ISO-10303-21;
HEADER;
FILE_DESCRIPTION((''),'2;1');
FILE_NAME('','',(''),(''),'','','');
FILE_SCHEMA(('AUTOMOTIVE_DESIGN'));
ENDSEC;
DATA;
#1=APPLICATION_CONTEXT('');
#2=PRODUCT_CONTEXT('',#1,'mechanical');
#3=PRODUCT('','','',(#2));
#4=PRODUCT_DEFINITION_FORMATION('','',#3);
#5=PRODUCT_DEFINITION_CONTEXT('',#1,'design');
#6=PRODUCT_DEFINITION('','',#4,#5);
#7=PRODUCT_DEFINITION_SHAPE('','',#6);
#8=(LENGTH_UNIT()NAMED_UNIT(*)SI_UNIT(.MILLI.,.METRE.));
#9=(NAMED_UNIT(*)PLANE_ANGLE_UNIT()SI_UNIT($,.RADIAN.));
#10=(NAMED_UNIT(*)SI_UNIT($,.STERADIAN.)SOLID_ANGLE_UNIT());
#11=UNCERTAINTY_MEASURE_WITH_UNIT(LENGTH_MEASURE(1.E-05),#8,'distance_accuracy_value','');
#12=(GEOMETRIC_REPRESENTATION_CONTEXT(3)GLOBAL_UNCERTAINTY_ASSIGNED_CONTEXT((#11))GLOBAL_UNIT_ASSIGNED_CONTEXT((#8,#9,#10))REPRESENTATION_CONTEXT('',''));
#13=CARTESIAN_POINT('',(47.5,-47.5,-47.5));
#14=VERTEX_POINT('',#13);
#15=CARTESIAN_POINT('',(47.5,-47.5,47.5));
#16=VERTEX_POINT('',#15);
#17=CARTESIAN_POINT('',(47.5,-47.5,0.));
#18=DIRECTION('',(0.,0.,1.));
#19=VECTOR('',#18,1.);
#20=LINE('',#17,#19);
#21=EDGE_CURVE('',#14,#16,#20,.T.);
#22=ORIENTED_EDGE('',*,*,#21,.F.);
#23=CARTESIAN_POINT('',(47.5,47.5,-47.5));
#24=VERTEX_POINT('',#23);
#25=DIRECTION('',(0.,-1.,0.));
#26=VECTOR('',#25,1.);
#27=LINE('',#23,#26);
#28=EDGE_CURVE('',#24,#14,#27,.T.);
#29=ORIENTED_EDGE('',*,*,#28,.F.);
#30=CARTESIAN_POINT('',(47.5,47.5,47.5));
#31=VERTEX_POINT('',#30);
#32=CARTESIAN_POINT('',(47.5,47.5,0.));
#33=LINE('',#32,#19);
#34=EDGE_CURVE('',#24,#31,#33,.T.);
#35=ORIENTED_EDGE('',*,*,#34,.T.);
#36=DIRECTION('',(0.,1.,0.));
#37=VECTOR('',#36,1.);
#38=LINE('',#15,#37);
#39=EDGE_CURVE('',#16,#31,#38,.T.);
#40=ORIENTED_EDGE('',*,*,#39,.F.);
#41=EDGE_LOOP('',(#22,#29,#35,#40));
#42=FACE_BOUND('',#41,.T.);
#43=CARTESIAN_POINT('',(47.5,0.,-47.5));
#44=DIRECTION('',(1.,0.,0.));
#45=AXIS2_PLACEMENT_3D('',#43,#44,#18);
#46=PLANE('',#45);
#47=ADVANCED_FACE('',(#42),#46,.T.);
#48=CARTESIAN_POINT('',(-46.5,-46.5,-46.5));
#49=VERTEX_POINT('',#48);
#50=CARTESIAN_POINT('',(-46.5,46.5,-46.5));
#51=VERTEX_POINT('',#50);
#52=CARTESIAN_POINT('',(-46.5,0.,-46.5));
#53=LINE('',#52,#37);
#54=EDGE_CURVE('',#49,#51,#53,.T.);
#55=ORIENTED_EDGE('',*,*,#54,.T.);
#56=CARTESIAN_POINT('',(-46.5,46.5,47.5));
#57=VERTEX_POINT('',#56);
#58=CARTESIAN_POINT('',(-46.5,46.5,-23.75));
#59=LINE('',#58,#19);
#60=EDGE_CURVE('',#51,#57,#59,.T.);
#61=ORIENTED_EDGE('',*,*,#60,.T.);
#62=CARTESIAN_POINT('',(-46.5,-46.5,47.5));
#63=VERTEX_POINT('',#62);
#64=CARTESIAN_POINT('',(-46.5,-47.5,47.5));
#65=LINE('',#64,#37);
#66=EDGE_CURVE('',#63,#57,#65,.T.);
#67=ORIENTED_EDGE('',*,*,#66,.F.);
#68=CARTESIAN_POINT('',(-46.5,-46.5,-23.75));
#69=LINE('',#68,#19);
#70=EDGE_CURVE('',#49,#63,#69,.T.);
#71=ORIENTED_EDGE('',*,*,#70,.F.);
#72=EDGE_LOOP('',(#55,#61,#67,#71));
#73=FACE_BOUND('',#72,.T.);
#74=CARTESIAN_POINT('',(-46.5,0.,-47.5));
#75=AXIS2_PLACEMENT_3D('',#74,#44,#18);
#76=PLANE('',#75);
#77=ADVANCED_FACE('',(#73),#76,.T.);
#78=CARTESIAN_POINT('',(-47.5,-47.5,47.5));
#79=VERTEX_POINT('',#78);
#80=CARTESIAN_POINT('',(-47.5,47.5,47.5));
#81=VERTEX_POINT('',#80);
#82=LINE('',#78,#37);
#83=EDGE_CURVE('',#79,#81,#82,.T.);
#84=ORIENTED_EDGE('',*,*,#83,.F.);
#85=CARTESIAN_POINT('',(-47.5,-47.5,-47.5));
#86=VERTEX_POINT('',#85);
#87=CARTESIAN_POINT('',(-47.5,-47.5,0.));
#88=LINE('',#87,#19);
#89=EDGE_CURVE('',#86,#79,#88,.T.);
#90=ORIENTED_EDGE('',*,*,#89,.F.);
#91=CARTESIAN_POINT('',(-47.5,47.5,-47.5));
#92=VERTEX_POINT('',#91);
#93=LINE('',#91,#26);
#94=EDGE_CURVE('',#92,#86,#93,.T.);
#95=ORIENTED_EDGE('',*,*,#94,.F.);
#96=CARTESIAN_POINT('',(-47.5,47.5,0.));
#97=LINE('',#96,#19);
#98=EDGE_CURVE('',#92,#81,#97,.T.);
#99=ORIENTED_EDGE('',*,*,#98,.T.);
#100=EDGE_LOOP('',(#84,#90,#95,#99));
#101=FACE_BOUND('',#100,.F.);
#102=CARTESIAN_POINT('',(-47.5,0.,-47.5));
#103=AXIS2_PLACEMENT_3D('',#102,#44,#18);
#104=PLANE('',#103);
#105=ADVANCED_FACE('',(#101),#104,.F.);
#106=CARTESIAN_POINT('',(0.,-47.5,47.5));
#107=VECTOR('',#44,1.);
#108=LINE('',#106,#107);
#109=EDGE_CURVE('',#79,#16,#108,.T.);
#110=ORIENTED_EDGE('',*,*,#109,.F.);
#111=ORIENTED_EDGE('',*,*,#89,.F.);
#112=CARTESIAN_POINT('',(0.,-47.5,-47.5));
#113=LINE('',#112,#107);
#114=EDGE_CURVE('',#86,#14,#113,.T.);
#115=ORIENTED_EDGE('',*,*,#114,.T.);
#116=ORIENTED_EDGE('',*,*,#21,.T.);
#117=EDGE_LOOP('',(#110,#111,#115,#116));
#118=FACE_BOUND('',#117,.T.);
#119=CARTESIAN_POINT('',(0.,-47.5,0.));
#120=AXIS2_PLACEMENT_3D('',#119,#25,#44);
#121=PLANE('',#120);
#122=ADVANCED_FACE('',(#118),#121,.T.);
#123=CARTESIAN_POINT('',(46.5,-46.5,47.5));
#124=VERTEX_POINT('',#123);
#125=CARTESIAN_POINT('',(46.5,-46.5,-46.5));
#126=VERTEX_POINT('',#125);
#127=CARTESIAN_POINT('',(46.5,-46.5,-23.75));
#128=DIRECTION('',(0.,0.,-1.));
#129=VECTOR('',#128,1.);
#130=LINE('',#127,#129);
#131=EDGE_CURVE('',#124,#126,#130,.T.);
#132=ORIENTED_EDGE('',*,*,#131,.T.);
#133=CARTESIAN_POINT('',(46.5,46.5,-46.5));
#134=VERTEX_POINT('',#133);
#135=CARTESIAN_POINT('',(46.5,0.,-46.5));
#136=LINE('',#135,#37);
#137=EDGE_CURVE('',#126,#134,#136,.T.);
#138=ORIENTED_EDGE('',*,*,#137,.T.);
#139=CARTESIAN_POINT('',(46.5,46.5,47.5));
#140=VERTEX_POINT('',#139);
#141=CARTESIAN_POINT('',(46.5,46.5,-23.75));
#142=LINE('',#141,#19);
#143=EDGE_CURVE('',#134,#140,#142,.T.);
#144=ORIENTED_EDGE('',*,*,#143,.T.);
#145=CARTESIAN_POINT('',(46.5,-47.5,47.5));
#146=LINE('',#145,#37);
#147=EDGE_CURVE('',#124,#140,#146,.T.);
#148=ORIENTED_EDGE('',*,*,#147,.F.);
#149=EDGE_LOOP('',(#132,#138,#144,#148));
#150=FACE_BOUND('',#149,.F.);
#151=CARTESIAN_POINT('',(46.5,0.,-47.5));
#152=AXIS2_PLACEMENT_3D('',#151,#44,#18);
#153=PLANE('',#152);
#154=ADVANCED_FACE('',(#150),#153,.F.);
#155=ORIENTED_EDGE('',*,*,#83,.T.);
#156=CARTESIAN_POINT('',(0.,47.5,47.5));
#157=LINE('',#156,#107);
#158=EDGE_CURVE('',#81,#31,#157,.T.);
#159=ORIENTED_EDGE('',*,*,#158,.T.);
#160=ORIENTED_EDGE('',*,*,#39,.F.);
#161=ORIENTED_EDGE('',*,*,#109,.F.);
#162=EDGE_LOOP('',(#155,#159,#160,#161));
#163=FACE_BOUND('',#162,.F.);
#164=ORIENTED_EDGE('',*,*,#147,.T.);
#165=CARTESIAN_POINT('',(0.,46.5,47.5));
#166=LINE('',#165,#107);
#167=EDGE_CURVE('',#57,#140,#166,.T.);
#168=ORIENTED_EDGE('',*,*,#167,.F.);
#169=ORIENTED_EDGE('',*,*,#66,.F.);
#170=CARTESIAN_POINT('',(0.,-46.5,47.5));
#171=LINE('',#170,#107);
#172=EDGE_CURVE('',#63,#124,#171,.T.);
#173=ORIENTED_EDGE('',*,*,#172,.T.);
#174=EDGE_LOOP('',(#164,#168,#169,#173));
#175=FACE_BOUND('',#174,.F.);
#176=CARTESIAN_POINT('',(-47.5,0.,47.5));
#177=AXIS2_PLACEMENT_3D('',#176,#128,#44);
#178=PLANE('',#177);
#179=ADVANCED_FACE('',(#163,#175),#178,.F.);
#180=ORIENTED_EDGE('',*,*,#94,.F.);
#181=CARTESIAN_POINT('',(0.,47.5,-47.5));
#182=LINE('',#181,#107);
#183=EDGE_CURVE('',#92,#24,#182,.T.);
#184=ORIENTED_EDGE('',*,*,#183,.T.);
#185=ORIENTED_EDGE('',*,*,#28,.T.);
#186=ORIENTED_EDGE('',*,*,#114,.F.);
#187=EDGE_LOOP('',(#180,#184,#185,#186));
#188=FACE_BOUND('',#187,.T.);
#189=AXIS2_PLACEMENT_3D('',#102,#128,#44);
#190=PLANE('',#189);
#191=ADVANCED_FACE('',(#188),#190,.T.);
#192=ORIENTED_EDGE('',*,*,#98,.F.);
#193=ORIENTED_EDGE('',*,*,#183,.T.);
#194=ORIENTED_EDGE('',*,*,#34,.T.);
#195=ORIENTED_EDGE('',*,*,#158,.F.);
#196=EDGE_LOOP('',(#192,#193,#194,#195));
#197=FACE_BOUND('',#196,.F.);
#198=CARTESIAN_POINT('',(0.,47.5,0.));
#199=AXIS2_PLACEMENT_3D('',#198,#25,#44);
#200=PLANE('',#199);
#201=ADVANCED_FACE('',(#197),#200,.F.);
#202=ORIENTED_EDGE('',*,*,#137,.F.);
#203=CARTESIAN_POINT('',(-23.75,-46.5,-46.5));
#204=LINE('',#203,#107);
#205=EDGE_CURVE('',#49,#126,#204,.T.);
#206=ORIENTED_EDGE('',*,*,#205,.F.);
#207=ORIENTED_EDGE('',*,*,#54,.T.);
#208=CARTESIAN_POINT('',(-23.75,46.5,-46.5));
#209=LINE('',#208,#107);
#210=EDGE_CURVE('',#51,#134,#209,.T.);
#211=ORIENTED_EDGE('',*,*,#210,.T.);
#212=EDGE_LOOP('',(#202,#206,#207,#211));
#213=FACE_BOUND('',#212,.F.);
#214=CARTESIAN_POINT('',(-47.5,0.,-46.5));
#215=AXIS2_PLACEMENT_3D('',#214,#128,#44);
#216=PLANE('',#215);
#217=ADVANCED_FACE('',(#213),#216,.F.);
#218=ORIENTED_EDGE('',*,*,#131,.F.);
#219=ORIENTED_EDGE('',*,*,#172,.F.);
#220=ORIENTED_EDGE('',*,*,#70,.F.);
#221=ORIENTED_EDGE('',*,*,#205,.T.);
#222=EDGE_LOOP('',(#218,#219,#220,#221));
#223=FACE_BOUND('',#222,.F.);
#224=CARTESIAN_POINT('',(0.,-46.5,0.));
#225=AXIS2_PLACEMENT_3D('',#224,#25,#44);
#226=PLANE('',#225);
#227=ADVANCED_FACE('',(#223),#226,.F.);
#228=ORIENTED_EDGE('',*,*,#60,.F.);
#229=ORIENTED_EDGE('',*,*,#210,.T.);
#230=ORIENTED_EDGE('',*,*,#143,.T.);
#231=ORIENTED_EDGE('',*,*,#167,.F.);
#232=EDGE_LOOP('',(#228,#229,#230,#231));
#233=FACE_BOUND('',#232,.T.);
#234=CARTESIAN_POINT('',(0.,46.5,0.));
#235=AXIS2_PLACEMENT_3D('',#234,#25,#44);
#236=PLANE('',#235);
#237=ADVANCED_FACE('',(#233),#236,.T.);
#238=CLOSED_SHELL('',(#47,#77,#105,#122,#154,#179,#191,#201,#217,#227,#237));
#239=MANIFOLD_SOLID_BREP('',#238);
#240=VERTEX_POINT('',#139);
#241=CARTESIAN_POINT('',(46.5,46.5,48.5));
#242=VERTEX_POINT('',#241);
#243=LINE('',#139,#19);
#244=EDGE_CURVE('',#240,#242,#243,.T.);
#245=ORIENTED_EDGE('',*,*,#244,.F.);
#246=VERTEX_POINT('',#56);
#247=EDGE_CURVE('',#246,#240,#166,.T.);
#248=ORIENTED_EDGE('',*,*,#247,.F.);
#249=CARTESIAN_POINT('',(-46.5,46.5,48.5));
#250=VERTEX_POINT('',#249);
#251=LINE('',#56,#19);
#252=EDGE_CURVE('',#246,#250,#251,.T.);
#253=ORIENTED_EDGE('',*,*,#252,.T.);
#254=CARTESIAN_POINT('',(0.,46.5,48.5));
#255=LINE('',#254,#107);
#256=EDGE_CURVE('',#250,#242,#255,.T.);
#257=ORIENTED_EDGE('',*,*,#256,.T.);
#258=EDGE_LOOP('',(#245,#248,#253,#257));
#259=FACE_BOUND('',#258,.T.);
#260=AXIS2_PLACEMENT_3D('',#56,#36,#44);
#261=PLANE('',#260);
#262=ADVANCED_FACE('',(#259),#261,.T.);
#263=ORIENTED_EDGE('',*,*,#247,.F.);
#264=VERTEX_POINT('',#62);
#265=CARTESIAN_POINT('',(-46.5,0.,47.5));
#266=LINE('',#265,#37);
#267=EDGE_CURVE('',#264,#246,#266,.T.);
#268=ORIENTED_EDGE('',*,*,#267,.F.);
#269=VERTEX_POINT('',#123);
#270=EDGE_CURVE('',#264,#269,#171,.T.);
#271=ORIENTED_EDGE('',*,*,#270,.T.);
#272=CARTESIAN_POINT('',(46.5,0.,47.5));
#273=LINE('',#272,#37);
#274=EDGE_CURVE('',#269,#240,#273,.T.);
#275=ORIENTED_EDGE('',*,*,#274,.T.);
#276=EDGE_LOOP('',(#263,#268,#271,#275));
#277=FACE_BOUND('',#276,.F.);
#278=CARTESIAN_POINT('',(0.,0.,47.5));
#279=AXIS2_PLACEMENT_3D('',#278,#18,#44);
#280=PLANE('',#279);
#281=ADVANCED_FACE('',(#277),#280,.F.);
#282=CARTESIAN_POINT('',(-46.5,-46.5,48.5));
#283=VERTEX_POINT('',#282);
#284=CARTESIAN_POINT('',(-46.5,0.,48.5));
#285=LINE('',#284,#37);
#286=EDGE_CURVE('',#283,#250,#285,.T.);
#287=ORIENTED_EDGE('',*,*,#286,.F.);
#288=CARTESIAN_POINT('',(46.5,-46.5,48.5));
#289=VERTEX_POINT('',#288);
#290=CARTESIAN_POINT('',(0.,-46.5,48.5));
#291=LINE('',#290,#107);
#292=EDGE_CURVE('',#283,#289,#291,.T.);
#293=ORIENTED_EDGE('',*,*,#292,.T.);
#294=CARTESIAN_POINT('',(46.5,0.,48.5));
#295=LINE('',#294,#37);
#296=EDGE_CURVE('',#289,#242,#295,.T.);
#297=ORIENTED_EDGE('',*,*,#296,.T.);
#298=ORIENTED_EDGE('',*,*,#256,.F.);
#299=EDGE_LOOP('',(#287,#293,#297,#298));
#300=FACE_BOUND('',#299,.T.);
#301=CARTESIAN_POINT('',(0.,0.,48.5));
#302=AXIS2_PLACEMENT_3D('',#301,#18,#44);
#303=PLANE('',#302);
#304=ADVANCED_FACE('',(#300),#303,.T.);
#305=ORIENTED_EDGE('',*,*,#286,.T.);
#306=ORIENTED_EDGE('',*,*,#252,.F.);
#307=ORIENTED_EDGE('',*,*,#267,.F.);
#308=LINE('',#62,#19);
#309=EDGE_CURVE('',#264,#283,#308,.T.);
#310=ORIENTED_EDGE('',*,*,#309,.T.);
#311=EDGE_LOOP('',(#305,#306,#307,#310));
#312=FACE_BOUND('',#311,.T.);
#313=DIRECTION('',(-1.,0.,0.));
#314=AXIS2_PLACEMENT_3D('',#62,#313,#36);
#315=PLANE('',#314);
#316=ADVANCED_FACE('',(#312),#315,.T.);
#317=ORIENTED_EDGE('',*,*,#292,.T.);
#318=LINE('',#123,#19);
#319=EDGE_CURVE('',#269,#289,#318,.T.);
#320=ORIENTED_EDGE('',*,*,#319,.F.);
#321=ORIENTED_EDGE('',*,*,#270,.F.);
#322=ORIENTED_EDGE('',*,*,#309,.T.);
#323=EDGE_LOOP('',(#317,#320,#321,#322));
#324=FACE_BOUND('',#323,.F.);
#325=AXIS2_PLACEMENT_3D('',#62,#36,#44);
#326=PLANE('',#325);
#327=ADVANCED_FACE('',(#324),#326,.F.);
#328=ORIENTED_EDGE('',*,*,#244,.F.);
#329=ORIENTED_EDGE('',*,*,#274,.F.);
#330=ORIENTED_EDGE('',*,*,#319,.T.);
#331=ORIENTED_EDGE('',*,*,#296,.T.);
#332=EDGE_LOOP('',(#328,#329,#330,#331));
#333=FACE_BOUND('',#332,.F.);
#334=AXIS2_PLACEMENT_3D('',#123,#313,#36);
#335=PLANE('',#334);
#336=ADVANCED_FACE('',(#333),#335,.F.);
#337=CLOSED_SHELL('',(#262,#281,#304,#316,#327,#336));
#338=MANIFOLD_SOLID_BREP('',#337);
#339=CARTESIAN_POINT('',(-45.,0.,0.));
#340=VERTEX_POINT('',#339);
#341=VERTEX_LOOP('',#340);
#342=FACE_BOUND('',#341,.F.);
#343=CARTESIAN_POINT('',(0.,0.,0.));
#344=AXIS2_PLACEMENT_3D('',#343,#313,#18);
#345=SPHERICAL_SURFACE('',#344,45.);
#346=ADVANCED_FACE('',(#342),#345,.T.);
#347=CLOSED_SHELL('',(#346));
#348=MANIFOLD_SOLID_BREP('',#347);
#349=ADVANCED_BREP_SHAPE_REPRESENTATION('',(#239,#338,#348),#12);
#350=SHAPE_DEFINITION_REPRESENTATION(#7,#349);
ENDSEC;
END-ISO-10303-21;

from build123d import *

# Parameters (mm, degrees)
F2_W     = 95
F2_H     = 95
F3_DEPTH = 47.5
F4_T     = -1
F5_W     = 93
F5_H     = 93
F6_DEPTH = 1


with BuildPart() as f1:
    # F0 (on Front) → F1 (revolve)
    with BuildSketch(Plane.XZ):
        with BuildLine():
            Line((-45, 0), (45, 0))
            ThreePointArc((45, 0), (0, 45), (-45, 0))
        make_face()
    revolve(axis=Axis((0, 0, 0), (1, 0, 0)))


with BuildPart() as f3:
    # F2 (on Front) → F3 (new body, symmetric)
    with BuildSketch(Plane.XZ):
        Rectangle(F2_W, F2_H)
    extrude(amount=F3_DEPTH, both=True)

    # F4
    f4_openings = [f3.faces().sort_by_distance(p)[0] for p in [
        (0, 0, 47.5),
    ]]
    offset(amount=F4_T, openings=f4_openings)


with BuildPart() as f6:
    # F5 (on face) → F6 (new body)
    with BuildSketch(Plane.XY.offset(47.5)):
        Rectangle(F5_W, F5_H)
    extrude(amount=F6_DEPTH)


solid = Compound([f1.part, f3.part, f6.part])
